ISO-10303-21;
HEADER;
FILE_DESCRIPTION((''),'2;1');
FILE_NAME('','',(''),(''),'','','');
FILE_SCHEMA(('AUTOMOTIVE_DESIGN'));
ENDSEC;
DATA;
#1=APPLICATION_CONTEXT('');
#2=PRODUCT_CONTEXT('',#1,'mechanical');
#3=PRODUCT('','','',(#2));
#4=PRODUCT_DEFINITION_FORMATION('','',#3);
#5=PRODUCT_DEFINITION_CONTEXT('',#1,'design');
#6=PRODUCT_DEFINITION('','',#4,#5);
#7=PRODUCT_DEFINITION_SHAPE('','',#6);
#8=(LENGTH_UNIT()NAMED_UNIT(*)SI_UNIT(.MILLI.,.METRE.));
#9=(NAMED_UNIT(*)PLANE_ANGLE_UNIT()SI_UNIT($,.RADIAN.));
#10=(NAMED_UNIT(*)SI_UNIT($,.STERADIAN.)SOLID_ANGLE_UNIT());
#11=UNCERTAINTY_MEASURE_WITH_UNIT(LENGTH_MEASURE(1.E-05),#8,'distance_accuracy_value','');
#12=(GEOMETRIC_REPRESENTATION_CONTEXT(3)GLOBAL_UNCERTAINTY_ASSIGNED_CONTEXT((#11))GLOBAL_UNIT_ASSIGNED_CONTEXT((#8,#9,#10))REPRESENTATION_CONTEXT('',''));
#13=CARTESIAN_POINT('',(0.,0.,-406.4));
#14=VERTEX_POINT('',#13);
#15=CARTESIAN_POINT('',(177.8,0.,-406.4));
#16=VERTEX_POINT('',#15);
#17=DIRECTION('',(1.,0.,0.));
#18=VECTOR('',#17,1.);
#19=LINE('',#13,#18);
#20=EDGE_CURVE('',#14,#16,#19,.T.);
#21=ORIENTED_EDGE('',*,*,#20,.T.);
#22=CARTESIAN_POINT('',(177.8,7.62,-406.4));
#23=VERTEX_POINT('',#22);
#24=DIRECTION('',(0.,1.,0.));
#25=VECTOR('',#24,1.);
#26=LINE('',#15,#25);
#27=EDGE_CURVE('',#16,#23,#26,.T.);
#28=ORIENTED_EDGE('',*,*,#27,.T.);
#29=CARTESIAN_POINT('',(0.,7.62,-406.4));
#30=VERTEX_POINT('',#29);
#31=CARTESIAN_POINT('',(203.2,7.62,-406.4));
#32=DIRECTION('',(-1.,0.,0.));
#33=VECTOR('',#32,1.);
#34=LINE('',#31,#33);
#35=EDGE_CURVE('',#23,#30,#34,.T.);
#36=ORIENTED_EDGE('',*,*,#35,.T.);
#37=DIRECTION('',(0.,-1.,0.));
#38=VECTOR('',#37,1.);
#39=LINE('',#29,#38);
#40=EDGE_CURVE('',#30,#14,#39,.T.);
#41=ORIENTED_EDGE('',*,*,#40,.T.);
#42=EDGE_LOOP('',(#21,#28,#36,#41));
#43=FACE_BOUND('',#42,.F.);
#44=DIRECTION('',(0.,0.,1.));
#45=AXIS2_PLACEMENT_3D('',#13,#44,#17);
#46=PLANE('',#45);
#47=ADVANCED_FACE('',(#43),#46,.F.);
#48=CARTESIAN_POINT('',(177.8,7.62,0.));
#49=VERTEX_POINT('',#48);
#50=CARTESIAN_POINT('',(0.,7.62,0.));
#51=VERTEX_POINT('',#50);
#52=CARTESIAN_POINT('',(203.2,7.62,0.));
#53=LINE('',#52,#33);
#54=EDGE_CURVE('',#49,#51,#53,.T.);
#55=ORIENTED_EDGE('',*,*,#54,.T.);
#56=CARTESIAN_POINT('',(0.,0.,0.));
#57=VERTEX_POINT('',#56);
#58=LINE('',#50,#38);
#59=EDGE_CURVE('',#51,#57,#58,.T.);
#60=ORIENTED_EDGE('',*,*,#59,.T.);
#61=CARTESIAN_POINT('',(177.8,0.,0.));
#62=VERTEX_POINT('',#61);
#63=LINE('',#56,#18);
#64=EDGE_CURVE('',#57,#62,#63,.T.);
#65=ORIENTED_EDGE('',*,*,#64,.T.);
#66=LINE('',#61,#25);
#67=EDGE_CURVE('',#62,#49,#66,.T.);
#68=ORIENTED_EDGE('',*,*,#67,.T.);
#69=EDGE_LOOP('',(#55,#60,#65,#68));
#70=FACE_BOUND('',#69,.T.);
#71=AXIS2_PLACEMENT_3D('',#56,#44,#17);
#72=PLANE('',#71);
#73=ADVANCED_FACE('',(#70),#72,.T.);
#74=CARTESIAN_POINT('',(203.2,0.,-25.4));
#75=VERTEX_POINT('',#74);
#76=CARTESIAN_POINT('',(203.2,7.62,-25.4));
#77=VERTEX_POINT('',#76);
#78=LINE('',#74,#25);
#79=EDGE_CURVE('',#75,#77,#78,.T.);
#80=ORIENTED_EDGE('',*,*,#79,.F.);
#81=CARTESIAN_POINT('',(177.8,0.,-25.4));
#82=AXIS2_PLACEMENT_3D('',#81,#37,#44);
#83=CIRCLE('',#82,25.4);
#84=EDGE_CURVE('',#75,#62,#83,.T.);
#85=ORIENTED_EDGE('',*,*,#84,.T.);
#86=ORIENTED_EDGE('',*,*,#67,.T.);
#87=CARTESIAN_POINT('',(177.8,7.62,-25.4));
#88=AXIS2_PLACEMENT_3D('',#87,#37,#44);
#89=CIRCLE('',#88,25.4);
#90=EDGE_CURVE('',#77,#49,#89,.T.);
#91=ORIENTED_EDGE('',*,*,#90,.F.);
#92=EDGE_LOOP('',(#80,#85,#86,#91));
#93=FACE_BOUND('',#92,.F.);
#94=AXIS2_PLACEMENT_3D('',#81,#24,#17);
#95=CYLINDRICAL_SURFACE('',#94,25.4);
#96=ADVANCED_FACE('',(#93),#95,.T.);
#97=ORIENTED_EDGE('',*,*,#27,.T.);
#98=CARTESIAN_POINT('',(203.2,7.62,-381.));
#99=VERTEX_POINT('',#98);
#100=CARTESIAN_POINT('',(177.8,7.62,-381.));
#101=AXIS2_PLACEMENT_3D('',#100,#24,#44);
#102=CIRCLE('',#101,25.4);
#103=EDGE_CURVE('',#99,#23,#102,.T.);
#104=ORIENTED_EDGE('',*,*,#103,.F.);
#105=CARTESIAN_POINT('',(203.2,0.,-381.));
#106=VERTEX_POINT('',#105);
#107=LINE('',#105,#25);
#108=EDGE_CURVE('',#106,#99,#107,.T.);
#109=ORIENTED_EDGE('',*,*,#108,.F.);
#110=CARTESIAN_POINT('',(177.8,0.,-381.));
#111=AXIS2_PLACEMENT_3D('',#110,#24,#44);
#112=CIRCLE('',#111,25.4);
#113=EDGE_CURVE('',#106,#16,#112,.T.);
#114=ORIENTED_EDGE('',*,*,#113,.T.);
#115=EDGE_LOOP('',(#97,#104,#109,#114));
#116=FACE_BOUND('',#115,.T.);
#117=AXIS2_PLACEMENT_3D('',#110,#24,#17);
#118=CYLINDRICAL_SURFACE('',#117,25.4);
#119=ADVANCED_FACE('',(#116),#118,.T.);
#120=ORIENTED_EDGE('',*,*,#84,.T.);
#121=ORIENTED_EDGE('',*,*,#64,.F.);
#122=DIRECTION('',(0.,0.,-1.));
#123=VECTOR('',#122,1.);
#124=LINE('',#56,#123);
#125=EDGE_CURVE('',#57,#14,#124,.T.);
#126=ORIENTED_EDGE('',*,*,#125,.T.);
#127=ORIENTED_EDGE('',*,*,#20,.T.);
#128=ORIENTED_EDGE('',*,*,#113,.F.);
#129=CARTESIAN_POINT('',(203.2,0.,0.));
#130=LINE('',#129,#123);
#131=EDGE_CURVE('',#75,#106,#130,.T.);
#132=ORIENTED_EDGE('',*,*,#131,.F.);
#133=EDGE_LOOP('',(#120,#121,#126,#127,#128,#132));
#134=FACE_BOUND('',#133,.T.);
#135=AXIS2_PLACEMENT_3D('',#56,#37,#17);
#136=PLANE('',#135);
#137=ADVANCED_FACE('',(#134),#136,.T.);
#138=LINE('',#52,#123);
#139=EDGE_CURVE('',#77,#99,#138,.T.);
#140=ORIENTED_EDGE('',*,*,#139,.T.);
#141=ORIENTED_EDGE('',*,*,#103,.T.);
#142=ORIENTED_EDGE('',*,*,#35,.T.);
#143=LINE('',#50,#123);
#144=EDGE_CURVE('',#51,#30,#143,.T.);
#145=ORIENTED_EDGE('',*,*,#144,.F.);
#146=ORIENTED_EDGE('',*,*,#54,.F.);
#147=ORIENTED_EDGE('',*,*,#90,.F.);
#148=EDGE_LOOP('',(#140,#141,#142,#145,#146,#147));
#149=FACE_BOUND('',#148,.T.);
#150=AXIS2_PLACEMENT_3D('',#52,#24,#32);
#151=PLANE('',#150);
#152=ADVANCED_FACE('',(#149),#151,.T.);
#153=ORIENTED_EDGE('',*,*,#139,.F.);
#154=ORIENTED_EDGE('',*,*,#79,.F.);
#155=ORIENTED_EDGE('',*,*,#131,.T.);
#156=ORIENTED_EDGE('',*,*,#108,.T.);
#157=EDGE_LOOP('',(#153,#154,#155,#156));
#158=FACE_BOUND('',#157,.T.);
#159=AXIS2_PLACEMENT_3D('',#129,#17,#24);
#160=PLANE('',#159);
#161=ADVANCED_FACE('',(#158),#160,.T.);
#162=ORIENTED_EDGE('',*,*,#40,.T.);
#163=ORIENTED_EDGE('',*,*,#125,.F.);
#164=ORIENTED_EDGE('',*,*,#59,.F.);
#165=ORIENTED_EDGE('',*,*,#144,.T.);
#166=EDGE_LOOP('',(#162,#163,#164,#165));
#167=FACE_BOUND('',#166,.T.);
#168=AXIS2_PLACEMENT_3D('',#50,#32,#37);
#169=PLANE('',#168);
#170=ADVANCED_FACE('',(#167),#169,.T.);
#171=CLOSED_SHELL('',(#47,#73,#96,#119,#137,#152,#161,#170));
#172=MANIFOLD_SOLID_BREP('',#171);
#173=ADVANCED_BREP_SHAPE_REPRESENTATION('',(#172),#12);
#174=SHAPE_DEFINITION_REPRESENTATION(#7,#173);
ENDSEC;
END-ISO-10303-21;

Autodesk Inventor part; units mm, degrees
ref_plane "YZ Plane" through (0, 0, 0) normal (1, 0, 0) x (0, 1, 0)
ref_plane "XZ Plane" through (0, 0, 0) normal (0, 1, 0) x (-1, 0, 0)
ref_plane "XY Plane" through (0, 0, 0) normal (0, 0, 1) x (1, 0, 0)
sketch "Sketch1" plane through (0, 0, 0) normal (0, 0, 1) x (1, 0, 0)
  line L0 (0, 0) -> (203.2, 0)
  line L1 (203.2, 0) -> (203.2, 7.62)
  line L2 (203.2, 7.62) -> (0, 7.62)
  line L3 (0, 7.62) -> (0, 0)
  dimension "d0" = 7.62
  dimension "d1" = 203.2
extrude "Extrusion1" add sketch "Sketch1" against normal blind 406.4
fillet "Fillet1" radius 25.4 2 edges at (203.2, 3.81, 0) (203.2, 3.81, -406.4)
properties part number "slab"
